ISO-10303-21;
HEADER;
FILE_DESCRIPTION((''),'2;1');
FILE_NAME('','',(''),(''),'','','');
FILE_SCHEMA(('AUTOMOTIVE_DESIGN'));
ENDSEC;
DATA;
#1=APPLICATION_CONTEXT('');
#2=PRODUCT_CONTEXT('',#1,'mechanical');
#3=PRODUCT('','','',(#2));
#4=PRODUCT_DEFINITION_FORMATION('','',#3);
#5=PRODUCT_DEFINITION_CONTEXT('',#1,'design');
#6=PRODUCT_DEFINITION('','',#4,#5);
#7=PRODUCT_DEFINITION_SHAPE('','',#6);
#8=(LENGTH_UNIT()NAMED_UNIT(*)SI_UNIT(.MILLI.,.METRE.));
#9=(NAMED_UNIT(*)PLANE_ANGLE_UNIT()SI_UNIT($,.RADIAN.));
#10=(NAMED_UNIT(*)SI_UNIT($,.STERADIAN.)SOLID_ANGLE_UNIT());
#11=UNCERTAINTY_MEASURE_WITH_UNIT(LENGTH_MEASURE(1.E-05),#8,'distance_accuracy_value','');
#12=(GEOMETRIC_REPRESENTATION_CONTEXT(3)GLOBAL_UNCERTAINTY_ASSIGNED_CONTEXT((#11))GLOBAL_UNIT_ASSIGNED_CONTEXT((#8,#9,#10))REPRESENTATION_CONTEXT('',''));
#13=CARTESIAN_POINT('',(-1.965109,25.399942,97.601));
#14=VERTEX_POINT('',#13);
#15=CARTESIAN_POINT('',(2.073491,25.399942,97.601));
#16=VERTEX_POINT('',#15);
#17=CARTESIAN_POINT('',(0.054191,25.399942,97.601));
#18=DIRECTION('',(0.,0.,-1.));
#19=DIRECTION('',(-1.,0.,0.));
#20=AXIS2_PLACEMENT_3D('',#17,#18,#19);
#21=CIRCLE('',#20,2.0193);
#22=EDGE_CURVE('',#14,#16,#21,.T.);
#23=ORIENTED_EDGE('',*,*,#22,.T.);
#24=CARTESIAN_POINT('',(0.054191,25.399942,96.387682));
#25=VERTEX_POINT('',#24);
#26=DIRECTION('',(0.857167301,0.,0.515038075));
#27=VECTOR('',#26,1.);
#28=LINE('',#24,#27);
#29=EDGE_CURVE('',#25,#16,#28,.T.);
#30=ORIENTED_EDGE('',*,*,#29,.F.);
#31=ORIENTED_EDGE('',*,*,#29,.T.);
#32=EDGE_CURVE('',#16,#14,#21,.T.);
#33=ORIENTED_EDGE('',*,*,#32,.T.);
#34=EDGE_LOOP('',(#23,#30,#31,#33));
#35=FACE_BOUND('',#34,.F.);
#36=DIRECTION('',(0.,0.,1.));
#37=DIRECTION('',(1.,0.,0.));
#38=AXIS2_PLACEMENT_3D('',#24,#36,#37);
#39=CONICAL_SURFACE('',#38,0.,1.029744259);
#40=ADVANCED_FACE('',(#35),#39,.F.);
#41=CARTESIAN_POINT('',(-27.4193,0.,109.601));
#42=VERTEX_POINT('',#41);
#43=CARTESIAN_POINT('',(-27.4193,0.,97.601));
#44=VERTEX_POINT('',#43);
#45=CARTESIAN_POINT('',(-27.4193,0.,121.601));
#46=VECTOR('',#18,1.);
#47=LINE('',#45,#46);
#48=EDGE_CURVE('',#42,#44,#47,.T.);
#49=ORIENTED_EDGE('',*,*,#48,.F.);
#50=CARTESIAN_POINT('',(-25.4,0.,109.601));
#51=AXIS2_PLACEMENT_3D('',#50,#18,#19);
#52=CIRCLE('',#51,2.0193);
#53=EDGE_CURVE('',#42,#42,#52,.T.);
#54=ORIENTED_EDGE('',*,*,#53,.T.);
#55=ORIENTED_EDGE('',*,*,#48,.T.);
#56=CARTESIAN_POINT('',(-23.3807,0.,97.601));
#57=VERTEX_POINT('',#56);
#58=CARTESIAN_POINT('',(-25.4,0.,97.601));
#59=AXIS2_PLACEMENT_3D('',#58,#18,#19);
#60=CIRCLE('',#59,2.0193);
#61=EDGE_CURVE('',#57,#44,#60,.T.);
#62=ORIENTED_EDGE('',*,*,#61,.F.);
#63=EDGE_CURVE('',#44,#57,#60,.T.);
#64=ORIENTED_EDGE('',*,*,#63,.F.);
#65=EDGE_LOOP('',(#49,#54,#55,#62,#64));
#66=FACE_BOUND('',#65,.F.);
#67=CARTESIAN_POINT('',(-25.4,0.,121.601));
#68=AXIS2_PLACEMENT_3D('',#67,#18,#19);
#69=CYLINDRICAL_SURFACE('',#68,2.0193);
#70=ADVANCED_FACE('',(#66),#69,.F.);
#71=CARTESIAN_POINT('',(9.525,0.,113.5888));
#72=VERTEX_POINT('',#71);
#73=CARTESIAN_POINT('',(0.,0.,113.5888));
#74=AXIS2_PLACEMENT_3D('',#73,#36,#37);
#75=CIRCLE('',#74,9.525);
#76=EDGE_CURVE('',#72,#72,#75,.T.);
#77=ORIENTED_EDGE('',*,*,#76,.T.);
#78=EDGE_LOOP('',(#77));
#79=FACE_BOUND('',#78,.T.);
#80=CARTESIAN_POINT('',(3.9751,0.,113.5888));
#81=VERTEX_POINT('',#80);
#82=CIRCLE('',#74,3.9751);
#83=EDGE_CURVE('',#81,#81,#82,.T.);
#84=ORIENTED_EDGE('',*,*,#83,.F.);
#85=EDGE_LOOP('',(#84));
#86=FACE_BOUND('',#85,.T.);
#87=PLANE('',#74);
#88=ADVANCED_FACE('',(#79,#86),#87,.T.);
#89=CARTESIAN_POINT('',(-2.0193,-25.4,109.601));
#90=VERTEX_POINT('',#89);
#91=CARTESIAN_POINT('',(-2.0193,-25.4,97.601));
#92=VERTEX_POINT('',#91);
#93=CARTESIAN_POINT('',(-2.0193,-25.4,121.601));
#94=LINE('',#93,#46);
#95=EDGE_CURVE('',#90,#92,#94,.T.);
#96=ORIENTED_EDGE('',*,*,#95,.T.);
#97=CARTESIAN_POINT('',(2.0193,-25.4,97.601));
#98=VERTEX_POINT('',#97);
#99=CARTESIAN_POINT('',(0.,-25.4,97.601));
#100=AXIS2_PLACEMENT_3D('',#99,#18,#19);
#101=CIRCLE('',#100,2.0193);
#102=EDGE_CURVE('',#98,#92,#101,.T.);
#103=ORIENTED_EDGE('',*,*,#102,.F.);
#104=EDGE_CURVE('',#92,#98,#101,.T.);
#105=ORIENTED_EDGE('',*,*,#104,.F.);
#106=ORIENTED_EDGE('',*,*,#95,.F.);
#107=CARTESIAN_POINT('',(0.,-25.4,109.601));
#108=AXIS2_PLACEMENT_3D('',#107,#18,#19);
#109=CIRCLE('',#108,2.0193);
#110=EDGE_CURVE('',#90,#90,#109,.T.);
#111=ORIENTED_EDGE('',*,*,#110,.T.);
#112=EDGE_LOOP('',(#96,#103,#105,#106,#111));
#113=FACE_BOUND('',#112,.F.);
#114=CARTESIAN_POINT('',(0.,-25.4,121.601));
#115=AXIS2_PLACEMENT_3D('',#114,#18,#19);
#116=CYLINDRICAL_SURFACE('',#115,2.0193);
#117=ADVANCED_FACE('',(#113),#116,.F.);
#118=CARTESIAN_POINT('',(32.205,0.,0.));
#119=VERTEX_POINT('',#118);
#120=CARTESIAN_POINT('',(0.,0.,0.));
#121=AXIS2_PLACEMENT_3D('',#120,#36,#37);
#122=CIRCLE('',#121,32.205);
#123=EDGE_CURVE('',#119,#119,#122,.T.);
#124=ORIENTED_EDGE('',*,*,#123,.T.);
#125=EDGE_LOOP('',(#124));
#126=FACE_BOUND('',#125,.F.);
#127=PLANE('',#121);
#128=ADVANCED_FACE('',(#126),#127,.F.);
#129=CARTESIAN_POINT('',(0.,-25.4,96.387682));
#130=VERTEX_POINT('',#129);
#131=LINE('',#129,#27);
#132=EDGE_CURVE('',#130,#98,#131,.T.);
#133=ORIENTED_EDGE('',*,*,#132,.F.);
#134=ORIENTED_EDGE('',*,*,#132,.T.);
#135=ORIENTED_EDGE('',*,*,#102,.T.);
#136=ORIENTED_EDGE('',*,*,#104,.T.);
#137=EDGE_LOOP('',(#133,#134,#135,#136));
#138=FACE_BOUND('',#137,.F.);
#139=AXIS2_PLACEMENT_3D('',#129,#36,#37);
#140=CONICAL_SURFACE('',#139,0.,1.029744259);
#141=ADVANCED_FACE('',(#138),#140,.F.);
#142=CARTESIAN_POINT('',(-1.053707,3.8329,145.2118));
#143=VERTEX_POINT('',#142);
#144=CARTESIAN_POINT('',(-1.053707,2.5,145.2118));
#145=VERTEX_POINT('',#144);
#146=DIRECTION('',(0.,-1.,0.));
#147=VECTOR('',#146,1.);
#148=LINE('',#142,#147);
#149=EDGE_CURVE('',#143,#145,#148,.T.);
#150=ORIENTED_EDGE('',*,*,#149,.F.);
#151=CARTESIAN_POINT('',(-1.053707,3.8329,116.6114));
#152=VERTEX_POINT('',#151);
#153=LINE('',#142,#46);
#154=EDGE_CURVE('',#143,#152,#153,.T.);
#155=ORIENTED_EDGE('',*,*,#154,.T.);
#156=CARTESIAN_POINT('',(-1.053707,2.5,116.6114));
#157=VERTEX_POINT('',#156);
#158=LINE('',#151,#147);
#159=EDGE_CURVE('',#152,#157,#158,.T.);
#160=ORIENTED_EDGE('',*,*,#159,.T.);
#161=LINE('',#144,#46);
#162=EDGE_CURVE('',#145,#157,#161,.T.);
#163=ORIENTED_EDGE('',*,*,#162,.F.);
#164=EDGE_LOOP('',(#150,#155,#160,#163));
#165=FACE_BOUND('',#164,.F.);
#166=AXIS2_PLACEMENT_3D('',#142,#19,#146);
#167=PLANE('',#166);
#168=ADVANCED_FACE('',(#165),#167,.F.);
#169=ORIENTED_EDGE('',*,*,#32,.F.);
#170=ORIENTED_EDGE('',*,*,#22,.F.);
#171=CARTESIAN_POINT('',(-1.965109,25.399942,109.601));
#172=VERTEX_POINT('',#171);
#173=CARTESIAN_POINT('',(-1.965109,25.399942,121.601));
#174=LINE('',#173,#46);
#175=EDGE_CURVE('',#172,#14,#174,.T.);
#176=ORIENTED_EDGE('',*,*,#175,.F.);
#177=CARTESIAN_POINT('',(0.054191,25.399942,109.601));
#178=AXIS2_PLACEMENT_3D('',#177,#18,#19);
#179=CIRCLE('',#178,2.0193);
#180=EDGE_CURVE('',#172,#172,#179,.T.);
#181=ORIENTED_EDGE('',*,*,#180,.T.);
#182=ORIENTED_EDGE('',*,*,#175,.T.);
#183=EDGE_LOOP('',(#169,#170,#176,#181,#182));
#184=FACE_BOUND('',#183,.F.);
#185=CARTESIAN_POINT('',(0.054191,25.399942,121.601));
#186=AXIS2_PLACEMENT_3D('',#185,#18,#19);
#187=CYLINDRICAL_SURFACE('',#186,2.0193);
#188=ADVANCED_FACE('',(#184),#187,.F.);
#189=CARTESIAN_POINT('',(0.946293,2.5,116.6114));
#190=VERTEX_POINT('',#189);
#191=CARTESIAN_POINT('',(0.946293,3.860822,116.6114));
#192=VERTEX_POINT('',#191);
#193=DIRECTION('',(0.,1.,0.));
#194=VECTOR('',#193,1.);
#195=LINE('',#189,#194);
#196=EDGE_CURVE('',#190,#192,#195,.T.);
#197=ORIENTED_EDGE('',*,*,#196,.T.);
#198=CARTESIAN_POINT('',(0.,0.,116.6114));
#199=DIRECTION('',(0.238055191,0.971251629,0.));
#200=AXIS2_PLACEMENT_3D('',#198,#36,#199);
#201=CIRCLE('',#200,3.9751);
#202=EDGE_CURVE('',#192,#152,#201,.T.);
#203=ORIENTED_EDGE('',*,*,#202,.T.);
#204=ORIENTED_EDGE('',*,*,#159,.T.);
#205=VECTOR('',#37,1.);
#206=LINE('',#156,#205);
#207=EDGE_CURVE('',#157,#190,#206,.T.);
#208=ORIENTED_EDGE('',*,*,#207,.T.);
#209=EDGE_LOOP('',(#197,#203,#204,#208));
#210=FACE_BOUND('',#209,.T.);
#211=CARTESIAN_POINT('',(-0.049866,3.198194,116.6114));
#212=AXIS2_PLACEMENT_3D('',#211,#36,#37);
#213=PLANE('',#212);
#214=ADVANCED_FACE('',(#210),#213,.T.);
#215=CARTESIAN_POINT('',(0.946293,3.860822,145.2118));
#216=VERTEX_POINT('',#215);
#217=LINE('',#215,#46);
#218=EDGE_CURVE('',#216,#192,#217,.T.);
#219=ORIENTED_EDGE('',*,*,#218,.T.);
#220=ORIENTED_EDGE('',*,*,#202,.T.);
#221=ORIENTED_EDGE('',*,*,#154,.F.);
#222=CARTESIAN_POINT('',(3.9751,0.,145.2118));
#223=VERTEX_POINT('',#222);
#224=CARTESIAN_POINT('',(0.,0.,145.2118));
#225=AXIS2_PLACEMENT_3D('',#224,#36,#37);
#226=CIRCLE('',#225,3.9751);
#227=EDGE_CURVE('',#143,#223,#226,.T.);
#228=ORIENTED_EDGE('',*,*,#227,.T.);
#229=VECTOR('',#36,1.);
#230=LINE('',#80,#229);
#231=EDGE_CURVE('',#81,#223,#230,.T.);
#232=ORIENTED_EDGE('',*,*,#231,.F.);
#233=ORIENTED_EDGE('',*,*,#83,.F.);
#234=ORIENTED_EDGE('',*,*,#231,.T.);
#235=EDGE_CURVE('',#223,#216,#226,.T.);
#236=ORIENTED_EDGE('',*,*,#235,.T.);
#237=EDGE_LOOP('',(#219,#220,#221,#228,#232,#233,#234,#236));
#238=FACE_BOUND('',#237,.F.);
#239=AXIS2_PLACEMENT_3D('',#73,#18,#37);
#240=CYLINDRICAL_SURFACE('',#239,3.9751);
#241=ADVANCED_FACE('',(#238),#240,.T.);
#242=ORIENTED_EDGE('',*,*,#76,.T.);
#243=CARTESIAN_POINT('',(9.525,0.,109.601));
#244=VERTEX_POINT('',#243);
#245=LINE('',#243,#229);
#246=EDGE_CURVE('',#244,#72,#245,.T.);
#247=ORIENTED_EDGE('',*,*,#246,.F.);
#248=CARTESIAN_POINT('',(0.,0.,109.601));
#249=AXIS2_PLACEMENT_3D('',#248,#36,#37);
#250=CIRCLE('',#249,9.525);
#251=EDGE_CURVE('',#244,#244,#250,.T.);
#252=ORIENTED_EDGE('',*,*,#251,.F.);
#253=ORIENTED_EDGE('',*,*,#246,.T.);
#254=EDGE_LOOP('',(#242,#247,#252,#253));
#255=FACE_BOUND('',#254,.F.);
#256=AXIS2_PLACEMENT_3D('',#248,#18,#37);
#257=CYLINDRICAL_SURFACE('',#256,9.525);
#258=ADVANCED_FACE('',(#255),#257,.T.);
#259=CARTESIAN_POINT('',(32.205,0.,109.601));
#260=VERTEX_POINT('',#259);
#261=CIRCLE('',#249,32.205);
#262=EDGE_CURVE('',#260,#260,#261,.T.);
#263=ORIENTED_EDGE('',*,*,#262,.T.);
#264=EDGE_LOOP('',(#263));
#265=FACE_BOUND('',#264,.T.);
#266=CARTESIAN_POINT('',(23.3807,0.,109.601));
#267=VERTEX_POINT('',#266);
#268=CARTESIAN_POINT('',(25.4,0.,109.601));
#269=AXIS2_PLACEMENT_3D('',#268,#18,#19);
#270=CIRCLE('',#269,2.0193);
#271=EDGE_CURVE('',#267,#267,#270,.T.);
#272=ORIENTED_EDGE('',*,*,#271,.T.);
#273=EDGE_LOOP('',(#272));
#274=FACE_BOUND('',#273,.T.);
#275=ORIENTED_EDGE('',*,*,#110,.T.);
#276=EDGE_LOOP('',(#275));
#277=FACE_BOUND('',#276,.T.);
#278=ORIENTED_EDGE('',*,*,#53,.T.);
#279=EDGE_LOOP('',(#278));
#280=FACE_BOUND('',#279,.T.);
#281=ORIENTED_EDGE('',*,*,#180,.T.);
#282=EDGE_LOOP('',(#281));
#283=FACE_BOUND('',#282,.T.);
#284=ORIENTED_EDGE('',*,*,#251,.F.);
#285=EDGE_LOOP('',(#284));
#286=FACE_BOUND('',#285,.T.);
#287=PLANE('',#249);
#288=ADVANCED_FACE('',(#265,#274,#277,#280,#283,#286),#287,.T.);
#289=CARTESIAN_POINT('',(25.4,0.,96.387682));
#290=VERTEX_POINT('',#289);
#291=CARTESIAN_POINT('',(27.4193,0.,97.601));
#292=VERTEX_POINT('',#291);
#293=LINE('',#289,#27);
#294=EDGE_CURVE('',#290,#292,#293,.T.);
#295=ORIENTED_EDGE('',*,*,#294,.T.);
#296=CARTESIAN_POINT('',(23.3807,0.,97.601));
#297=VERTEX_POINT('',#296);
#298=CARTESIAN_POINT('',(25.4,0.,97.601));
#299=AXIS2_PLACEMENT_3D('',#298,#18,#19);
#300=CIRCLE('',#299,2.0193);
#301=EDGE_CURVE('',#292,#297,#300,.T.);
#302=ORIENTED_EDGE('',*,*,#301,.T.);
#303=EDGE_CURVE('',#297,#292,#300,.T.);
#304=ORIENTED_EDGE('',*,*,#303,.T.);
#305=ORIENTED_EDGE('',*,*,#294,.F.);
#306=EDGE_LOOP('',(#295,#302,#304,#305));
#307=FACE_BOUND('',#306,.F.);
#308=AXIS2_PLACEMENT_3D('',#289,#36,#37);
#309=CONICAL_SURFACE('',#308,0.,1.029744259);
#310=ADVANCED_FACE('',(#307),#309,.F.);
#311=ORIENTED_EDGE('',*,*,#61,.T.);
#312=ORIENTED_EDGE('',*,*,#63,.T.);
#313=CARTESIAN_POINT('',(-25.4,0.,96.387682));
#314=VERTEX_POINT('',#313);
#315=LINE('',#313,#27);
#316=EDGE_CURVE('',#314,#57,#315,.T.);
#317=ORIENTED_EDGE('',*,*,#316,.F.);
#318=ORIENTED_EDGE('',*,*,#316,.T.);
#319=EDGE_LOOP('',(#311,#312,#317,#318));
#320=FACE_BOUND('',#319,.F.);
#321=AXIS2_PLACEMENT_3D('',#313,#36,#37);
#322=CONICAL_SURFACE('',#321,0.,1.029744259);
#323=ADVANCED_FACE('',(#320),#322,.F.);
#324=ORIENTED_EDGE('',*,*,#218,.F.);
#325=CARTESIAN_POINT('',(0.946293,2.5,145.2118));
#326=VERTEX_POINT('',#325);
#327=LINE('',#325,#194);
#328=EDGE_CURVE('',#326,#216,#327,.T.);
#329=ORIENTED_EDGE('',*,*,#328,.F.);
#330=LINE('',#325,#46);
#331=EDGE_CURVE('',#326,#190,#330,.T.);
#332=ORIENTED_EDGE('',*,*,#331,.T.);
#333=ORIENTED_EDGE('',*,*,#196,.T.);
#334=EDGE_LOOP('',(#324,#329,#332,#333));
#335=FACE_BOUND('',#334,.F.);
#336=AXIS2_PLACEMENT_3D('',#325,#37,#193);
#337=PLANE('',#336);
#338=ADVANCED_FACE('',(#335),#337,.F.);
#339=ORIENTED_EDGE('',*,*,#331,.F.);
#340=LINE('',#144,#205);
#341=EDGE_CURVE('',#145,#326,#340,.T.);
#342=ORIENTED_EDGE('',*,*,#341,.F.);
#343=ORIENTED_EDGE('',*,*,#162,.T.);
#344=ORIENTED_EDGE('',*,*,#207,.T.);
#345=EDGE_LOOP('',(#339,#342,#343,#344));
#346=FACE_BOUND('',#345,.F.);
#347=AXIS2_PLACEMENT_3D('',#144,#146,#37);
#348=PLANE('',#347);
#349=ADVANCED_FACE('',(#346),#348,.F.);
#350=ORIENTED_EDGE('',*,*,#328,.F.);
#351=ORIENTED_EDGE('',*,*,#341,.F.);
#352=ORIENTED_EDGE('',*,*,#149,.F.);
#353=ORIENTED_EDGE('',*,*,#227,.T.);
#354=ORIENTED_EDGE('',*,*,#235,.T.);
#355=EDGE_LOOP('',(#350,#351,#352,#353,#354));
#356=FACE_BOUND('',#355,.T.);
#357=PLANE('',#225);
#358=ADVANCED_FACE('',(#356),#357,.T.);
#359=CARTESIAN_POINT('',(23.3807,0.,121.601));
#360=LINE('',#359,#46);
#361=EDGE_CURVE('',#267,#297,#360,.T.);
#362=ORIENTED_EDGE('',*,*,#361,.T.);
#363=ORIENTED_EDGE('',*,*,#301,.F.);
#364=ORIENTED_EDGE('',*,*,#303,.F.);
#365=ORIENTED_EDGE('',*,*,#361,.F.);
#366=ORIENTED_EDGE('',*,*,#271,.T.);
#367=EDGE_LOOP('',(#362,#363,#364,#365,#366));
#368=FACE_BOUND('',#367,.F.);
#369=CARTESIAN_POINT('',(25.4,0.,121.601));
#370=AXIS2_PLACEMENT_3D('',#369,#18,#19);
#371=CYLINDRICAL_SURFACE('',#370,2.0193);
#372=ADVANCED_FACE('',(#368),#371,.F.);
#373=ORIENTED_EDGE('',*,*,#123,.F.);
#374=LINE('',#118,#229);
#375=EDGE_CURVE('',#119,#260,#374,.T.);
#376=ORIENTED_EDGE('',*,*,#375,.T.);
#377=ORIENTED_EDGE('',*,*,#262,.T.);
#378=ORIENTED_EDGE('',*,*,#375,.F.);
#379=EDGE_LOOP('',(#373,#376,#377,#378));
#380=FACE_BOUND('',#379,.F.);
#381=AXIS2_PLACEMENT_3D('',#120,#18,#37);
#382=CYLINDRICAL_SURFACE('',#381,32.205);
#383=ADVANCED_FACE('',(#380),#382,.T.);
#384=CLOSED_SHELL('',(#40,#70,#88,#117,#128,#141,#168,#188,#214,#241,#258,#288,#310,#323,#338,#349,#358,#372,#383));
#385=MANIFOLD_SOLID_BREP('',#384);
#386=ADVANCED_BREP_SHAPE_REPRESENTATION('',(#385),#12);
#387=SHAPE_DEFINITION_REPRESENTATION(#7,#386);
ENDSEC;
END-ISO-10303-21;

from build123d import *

# Parameters (mm, degrees)
F0_R     = 32.205
F1_DEPTH = 109.601
F2_R     = 9.525
F3_DEPTH = 3.9878
F4_R     = 3.9751
F5_DEPTH = 31.623
F7_DEPTH = 28.6004
F9_D     = 4.0386
F9_DEPTH = 12
F9_TIP   = 1.213317848


with BuildPart() as f1:
    # F0 (on Top) → F1 (new body)
    with BuildSketch(Plane.XY):
        Circle(F0_R)
    extrude(amount=F1_DEPTH)

    # F2 (on face) → F3 (join)
    with BuildSketch(Plane.XY.offset(109.601)):
        Circle(F2_R)
    extrude(amount=F3_DEPTH)

    # F4 (on face) → F5 (join)
    with BuildSketch(Plane.XY.offset(113.5888)):
        Circle(F4_R)
    extrude(amount=F5_DEPTH)

    # F6 (on face) → F7 (cut)
    with BuildSketch(Plane.XY.offset(145.2118)):
        with BuildLine():
            Line((0.9462931883, 2.5), (0.9462931883, 3.8608223492))
            ThreePointArc((0.9462931883, 3.8608223492), (-0.0554917727, 3.9747126529), (-1.0537068117, 3.8328999419))
            Line((-1.0537068117, 3.8328999419), (-1.0537068117, 2.5))
            Line((-1.0537068117, 2.5), (0.9462931883, 2.5))
        make_face()
    extrude(amount=-F7_DEPTH, mode=Mode.SUBTRACT)

    # F9
    with Locations(Plane.XY.offset(109.601)):
        with Locations((0.0541911848, 25.3999421912), (25.4, 0), (-25.4, 0), (0, -25.4)):
            Hole(F9_D / 2, depth=F9_DEPTH)
            with Locations((0, 0, -(F9_DEPTH + F9_TIP / 2))):  # 118° drill point
                Cone(0, F9_D / 2, F9_TIP, mode=Mode.SUBTRACT)


solid = f1.part
